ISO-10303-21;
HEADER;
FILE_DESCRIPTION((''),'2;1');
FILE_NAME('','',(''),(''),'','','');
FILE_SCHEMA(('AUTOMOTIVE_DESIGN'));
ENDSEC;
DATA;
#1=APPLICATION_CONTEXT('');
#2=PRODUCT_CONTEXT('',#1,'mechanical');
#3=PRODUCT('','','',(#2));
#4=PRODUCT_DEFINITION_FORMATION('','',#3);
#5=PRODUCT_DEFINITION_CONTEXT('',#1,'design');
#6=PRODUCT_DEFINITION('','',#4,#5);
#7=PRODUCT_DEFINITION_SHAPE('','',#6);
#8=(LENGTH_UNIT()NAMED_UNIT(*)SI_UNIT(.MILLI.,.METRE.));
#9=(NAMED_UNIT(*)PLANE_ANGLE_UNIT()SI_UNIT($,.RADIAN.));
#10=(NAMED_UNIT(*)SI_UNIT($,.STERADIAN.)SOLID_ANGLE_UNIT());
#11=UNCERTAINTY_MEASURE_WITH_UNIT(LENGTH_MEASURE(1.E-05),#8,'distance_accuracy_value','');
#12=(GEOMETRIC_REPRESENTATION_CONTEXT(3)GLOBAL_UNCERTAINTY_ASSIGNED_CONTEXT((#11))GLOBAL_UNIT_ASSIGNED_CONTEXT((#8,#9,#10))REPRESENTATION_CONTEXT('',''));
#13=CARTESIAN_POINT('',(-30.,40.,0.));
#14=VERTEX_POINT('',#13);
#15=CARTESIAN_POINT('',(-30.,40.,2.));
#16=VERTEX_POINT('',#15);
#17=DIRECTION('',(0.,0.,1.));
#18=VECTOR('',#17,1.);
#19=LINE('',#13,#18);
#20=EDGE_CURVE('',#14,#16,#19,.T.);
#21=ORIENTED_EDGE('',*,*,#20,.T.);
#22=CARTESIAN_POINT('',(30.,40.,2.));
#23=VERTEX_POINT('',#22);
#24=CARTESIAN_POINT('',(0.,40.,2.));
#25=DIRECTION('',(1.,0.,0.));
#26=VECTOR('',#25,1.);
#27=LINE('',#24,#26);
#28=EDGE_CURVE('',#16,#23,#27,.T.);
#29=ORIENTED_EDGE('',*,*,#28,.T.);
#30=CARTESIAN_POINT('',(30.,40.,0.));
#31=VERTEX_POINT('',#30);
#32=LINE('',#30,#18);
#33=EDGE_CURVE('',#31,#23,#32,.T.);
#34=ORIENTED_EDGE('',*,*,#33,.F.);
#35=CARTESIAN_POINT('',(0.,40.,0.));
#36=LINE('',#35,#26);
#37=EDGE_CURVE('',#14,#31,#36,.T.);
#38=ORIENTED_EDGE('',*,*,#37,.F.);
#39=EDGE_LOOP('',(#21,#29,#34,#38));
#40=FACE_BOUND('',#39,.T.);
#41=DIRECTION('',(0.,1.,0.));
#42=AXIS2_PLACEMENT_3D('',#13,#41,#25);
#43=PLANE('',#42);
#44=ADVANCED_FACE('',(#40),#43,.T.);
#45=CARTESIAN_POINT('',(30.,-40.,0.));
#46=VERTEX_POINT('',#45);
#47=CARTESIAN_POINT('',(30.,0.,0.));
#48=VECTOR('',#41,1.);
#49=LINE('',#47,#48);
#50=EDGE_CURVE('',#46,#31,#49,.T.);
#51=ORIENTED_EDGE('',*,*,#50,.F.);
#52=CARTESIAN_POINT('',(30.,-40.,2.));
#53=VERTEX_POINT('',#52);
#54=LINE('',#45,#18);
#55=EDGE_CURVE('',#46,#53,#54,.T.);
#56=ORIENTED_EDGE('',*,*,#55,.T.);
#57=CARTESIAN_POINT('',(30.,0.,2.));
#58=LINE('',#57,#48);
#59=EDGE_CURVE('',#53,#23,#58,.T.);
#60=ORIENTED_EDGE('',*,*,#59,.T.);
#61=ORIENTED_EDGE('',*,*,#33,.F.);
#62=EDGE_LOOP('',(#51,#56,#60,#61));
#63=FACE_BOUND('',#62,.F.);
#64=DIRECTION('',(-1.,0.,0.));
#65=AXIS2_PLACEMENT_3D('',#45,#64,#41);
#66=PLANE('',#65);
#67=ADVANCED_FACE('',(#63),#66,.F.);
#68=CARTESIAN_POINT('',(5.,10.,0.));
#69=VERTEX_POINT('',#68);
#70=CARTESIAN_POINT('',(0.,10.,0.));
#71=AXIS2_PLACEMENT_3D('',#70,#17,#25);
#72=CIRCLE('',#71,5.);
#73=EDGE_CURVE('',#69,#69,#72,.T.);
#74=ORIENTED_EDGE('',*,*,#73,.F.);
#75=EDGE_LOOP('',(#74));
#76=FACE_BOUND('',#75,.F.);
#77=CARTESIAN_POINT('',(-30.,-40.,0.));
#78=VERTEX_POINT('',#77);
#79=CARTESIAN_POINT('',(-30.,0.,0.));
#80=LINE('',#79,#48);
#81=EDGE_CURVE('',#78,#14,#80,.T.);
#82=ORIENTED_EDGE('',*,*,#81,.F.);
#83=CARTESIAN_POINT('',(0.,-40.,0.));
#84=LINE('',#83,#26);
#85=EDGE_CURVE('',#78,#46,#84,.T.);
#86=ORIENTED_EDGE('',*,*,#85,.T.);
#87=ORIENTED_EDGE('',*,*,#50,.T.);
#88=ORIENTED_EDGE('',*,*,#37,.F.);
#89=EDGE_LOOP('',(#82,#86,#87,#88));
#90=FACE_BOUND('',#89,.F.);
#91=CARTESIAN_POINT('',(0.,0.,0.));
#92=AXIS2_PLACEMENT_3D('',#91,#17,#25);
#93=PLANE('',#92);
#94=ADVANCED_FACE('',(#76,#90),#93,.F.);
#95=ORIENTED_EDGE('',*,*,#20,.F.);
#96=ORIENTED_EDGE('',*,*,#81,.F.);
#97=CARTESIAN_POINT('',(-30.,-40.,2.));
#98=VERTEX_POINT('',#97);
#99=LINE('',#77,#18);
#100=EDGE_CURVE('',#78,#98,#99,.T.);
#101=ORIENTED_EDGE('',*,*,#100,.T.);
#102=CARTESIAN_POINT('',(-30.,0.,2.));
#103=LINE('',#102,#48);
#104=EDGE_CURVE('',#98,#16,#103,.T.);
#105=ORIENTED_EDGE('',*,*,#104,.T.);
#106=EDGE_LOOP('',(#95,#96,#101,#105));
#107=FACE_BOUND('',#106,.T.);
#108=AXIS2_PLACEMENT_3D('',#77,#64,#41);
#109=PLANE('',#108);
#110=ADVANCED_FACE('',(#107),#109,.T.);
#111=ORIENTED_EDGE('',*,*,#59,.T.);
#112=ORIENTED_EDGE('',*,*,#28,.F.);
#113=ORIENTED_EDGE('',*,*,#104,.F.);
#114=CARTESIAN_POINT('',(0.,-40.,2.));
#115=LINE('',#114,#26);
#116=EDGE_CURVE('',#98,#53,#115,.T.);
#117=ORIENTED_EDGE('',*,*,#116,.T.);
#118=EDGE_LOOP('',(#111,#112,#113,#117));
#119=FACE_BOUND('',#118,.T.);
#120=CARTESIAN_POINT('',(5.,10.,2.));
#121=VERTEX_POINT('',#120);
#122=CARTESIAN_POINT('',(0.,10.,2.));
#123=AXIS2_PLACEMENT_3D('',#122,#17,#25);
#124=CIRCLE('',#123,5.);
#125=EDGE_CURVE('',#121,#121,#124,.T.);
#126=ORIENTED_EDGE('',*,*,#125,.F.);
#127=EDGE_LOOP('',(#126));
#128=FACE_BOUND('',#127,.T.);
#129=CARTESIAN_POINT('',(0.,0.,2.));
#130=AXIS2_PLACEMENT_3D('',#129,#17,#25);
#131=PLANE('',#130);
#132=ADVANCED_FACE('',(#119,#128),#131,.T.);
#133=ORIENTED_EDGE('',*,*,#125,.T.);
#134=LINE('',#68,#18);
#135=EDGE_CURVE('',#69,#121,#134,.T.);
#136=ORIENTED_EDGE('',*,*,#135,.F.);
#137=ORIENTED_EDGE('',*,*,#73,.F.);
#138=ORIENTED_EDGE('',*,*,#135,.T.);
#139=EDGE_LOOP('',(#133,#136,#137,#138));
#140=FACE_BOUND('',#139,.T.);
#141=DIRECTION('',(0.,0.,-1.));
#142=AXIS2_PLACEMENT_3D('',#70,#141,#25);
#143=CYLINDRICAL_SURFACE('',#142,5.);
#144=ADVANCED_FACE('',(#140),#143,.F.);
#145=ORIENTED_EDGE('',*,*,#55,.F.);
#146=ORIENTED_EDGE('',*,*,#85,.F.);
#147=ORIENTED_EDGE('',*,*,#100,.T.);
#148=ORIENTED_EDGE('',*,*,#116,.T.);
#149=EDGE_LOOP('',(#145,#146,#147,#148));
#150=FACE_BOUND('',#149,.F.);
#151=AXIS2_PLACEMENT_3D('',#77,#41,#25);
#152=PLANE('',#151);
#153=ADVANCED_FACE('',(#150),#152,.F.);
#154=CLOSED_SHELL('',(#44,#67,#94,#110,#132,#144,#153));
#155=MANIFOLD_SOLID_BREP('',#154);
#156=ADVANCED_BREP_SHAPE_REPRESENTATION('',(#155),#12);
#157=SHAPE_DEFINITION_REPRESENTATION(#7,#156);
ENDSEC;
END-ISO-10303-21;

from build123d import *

# Parameters (mm, degrees)
SKETCH_W  = 60
SKETCH_H  = 80
SKETCH_R  = 5
PAD_DEPTH = 2


with BuildPart() as part:
    # Sketch → Pad (new body)
    with BuildSketch(Plane.XY):
        Rectangle(SKETCH_W, SKETCH_H)
        with Locations((0, 10)):
            Circle(SKETCH_R, mode=Mode.SUBTRACT)
    extrude(amount=PAD_DEPTH)


solid = part.part
